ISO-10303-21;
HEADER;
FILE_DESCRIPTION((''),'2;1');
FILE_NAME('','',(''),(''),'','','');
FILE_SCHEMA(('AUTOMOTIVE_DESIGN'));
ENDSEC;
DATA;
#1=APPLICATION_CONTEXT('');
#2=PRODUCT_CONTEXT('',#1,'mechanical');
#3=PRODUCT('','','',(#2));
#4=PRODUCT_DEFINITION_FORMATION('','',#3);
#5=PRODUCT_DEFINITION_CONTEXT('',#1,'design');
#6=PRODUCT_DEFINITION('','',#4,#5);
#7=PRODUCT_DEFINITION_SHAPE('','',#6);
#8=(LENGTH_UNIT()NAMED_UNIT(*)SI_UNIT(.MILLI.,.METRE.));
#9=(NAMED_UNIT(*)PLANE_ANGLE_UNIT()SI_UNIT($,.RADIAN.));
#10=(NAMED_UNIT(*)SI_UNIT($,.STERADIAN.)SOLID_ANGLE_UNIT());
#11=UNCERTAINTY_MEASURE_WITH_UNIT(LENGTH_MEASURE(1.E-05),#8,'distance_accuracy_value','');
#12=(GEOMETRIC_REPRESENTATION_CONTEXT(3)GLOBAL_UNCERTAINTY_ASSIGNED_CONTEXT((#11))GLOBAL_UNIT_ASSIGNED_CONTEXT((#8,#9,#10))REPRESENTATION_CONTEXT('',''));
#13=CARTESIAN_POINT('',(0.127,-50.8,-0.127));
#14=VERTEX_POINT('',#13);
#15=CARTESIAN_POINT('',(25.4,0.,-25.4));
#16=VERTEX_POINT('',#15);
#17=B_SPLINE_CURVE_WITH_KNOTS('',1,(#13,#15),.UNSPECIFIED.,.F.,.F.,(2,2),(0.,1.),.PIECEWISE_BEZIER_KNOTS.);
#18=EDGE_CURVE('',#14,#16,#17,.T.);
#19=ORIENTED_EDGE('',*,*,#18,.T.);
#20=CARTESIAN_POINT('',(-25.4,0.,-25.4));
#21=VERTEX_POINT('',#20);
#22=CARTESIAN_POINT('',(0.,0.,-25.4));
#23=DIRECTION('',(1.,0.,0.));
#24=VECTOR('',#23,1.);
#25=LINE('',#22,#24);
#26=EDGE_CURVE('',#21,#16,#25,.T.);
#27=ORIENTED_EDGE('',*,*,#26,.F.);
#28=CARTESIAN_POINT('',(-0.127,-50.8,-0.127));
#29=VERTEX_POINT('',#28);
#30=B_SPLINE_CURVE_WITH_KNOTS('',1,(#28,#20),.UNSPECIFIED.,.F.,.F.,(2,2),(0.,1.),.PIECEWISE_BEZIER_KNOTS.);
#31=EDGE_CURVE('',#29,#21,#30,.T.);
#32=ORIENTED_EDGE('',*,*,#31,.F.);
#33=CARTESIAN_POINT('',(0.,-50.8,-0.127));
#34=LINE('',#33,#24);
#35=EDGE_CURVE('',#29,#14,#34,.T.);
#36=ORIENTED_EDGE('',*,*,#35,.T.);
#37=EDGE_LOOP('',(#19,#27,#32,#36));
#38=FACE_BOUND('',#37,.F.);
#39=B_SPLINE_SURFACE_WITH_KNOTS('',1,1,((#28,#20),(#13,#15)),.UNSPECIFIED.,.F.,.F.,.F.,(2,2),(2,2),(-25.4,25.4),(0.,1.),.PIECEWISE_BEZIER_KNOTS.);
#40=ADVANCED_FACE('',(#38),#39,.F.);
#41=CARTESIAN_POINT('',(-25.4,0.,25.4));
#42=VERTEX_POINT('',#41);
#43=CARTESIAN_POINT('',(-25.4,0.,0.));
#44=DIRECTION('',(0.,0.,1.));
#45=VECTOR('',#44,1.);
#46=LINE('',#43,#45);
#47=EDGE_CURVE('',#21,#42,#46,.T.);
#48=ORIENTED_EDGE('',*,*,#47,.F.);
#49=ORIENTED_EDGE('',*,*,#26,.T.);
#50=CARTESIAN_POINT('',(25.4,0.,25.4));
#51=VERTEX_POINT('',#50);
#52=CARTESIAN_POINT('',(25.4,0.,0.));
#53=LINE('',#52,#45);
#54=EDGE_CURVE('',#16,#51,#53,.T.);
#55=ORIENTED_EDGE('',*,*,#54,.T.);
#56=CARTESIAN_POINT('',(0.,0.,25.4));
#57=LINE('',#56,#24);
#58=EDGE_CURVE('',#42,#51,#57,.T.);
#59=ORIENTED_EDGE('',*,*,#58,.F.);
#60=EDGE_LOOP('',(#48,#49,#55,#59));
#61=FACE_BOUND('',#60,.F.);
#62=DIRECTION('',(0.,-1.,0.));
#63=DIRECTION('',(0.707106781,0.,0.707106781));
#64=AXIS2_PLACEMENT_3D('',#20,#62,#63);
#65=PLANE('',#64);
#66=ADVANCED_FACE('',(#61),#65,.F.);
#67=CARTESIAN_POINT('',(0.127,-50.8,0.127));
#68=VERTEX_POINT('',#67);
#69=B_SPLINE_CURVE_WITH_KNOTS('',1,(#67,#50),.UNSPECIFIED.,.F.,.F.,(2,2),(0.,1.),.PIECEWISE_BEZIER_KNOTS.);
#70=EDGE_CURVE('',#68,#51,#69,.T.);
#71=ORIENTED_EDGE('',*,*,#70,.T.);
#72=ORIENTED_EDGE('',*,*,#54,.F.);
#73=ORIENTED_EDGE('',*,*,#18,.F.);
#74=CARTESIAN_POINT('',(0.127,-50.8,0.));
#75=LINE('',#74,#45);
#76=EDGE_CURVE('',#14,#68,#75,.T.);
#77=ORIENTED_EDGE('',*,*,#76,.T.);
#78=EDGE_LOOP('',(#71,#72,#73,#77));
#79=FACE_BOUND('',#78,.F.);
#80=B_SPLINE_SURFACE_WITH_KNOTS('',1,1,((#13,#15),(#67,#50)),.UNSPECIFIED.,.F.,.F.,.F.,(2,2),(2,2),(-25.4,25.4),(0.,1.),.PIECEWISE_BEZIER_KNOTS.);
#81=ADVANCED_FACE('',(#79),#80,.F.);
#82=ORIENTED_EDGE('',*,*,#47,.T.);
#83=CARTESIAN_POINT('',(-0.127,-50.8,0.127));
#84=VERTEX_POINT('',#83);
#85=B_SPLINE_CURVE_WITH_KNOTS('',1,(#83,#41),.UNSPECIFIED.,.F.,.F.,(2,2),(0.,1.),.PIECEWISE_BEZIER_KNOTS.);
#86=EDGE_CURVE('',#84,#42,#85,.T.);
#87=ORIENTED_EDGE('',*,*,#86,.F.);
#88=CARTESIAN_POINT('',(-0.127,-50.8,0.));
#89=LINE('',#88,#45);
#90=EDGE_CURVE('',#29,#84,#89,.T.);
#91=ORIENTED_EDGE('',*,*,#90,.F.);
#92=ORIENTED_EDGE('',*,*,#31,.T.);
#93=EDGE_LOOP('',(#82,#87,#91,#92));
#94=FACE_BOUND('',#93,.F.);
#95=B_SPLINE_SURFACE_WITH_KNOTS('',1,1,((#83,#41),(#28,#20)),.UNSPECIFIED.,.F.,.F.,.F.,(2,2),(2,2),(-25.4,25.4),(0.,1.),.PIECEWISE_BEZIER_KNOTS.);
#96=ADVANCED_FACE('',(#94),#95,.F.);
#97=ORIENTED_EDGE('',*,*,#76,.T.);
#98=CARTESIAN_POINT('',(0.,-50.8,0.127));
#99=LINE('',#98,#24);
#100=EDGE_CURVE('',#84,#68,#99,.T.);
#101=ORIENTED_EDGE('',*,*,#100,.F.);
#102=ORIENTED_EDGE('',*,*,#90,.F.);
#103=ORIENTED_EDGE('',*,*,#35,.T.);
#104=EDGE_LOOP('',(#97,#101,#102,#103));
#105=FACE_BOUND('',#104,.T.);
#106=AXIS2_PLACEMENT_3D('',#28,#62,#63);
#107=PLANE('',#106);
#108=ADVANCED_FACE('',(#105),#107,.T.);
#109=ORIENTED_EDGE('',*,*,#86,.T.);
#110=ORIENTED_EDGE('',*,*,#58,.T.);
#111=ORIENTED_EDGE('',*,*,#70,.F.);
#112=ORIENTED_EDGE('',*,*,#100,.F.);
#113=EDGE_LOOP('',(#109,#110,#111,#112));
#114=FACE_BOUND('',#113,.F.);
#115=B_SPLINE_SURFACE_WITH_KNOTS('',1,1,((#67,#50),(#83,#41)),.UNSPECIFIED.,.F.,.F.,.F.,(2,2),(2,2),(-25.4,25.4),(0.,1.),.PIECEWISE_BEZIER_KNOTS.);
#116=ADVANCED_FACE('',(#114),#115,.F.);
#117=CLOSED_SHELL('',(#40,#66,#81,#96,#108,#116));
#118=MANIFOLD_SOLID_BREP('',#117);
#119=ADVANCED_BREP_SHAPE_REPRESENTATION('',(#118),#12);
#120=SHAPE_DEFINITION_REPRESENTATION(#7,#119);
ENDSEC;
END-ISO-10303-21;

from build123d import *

# Parameters (mm, degrees)
F2_W = 0.254
F2_H = 0.254
F0_W = 50.8
F0_H = 50.8


with BuildPart() as f3:
    # F2 (on offset) → F3 section 0
    with BuildSketch(Plane.XZ.offset(50.8)):
        Rectangle(F2_W, F2_H)
    # F0 (on Front) → F3 section 1
    with BuildSketch(Plane.XZ):
        Rectangle(F0_W, F0_H)
    loft()


solid = f3.part
